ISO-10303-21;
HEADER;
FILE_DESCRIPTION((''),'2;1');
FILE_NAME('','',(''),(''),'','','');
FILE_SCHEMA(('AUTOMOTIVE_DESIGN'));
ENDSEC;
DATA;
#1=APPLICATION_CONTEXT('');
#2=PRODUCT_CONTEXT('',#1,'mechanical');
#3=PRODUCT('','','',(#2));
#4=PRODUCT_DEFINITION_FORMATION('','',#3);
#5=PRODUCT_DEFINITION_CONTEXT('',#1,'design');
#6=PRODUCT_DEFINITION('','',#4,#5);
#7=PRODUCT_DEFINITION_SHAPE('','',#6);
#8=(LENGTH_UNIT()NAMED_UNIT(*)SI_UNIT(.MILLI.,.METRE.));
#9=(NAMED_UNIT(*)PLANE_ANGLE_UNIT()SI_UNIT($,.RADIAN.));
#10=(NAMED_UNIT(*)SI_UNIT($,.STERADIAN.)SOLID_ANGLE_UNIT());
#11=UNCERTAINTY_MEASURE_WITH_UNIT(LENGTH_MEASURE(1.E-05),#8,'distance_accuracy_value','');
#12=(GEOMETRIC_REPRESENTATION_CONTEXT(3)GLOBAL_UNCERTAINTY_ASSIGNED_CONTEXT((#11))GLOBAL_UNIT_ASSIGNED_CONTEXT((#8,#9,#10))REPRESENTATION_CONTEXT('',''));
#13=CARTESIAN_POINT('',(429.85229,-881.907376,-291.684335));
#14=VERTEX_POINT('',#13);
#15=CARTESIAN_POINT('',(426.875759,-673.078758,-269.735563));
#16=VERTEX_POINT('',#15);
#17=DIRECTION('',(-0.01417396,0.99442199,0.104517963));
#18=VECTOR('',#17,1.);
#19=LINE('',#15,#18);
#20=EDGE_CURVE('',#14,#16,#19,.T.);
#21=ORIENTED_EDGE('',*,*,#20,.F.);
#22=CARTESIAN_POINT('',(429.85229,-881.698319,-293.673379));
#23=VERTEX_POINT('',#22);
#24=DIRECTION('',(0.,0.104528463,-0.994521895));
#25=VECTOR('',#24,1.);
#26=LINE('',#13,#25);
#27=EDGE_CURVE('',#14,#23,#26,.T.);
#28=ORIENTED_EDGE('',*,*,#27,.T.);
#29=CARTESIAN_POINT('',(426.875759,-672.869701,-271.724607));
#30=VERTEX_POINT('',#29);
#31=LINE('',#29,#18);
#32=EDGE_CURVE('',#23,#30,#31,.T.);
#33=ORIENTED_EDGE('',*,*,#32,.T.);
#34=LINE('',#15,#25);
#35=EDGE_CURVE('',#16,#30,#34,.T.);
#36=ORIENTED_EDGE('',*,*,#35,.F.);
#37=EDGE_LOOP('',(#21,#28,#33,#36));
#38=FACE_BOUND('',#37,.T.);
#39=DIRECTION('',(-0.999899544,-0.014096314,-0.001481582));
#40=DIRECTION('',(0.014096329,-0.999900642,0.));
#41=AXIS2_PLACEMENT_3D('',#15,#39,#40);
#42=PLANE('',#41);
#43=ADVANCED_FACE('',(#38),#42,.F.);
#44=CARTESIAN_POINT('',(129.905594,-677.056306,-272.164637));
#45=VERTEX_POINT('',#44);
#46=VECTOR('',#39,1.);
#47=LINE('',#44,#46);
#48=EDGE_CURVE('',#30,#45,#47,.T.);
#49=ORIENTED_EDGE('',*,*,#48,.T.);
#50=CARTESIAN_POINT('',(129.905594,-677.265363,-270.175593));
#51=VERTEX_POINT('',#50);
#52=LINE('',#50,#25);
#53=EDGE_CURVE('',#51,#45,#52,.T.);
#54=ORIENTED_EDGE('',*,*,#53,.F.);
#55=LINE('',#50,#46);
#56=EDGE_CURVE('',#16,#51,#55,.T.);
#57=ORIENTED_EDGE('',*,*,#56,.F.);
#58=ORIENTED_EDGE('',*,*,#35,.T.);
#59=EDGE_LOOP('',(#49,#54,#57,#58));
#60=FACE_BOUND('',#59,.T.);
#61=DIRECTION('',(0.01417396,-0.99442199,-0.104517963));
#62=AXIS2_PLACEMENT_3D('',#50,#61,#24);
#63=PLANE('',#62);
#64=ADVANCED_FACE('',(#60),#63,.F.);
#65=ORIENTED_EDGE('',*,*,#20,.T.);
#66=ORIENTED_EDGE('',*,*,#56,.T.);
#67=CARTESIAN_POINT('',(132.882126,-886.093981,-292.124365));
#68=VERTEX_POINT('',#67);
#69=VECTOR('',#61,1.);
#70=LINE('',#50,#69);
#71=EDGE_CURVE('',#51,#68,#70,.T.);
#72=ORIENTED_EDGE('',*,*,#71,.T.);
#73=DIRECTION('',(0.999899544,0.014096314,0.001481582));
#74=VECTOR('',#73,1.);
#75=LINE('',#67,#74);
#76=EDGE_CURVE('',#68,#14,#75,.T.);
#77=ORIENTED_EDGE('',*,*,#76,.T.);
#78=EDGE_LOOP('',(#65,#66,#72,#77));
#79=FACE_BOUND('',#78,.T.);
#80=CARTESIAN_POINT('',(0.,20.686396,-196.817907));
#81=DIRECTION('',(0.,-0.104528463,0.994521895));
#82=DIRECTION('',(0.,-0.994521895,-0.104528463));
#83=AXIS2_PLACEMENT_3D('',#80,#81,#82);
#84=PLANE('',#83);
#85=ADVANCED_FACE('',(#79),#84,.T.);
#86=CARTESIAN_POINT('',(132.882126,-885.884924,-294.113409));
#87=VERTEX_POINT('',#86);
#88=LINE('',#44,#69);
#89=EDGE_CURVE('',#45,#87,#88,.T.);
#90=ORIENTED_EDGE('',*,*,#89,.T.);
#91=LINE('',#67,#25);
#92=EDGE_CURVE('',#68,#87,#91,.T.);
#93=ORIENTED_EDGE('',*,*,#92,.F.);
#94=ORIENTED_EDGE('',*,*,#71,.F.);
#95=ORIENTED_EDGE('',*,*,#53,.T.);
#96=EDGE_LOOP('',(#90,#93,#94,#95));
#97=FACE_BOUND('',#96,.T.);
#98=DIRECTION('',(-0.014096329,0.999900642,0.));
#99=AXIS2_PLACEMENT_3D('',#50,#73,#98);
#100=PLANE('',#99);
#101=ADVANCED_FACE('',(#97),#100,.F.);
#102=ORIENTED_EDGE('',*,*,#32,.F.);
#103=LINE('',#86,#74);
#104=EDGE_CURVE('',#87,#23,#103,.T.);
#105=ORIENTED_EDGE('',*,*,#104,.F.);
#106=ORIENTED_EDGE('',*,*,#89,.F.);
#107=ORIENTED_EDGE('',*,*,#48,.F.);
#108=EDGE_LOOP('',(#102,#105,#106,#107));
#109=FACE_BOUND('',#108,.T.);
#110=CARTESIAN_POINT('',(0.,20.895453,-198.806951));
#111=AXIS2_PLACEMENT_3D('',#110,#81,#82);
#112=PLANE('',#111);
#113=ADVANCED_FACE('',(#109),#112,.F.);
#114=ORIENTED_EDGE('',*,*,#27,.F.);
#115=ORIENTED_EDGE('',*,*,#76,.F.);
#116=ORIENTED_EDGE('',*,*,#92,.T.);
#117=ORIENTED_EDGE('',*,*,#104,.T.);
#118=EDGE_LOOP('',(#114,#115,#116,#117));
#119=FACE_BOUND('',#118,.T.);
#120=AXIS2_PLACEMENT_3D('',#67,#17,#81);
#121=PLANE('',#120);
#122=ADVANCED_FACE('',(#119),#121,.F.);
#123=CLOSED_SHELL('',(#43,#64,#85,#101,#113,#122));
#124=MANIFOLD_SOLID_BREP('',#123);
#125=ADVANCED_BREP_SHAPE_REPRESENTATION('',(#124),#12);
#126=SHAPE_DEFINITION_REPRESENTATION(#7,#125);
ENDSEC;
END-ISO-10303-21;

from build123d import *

# Parameters (mm, degrees)
BOSS_EXTRUDE1_DEPTH = 2


with BuildPart() as part:
    # Sketch1 → Boss-Extrude1 (new body)
    with BuildSketch(Plane(origin=(0, 20.895452563, -198.806951122), x_dir=(1, 0, 0), z_dir=(0, -0.10452846326765321, 0.9945218953682734))):
        Polygon((129.905594056, -701.796272384), (426.875758738, -697.58660623), (429.852290362, -907.56551055), (132.882125681, -911.775176704), align=None)
    extrude(amount=BOSS_EXTRUDE1_DEPTH)


solid = part.part
